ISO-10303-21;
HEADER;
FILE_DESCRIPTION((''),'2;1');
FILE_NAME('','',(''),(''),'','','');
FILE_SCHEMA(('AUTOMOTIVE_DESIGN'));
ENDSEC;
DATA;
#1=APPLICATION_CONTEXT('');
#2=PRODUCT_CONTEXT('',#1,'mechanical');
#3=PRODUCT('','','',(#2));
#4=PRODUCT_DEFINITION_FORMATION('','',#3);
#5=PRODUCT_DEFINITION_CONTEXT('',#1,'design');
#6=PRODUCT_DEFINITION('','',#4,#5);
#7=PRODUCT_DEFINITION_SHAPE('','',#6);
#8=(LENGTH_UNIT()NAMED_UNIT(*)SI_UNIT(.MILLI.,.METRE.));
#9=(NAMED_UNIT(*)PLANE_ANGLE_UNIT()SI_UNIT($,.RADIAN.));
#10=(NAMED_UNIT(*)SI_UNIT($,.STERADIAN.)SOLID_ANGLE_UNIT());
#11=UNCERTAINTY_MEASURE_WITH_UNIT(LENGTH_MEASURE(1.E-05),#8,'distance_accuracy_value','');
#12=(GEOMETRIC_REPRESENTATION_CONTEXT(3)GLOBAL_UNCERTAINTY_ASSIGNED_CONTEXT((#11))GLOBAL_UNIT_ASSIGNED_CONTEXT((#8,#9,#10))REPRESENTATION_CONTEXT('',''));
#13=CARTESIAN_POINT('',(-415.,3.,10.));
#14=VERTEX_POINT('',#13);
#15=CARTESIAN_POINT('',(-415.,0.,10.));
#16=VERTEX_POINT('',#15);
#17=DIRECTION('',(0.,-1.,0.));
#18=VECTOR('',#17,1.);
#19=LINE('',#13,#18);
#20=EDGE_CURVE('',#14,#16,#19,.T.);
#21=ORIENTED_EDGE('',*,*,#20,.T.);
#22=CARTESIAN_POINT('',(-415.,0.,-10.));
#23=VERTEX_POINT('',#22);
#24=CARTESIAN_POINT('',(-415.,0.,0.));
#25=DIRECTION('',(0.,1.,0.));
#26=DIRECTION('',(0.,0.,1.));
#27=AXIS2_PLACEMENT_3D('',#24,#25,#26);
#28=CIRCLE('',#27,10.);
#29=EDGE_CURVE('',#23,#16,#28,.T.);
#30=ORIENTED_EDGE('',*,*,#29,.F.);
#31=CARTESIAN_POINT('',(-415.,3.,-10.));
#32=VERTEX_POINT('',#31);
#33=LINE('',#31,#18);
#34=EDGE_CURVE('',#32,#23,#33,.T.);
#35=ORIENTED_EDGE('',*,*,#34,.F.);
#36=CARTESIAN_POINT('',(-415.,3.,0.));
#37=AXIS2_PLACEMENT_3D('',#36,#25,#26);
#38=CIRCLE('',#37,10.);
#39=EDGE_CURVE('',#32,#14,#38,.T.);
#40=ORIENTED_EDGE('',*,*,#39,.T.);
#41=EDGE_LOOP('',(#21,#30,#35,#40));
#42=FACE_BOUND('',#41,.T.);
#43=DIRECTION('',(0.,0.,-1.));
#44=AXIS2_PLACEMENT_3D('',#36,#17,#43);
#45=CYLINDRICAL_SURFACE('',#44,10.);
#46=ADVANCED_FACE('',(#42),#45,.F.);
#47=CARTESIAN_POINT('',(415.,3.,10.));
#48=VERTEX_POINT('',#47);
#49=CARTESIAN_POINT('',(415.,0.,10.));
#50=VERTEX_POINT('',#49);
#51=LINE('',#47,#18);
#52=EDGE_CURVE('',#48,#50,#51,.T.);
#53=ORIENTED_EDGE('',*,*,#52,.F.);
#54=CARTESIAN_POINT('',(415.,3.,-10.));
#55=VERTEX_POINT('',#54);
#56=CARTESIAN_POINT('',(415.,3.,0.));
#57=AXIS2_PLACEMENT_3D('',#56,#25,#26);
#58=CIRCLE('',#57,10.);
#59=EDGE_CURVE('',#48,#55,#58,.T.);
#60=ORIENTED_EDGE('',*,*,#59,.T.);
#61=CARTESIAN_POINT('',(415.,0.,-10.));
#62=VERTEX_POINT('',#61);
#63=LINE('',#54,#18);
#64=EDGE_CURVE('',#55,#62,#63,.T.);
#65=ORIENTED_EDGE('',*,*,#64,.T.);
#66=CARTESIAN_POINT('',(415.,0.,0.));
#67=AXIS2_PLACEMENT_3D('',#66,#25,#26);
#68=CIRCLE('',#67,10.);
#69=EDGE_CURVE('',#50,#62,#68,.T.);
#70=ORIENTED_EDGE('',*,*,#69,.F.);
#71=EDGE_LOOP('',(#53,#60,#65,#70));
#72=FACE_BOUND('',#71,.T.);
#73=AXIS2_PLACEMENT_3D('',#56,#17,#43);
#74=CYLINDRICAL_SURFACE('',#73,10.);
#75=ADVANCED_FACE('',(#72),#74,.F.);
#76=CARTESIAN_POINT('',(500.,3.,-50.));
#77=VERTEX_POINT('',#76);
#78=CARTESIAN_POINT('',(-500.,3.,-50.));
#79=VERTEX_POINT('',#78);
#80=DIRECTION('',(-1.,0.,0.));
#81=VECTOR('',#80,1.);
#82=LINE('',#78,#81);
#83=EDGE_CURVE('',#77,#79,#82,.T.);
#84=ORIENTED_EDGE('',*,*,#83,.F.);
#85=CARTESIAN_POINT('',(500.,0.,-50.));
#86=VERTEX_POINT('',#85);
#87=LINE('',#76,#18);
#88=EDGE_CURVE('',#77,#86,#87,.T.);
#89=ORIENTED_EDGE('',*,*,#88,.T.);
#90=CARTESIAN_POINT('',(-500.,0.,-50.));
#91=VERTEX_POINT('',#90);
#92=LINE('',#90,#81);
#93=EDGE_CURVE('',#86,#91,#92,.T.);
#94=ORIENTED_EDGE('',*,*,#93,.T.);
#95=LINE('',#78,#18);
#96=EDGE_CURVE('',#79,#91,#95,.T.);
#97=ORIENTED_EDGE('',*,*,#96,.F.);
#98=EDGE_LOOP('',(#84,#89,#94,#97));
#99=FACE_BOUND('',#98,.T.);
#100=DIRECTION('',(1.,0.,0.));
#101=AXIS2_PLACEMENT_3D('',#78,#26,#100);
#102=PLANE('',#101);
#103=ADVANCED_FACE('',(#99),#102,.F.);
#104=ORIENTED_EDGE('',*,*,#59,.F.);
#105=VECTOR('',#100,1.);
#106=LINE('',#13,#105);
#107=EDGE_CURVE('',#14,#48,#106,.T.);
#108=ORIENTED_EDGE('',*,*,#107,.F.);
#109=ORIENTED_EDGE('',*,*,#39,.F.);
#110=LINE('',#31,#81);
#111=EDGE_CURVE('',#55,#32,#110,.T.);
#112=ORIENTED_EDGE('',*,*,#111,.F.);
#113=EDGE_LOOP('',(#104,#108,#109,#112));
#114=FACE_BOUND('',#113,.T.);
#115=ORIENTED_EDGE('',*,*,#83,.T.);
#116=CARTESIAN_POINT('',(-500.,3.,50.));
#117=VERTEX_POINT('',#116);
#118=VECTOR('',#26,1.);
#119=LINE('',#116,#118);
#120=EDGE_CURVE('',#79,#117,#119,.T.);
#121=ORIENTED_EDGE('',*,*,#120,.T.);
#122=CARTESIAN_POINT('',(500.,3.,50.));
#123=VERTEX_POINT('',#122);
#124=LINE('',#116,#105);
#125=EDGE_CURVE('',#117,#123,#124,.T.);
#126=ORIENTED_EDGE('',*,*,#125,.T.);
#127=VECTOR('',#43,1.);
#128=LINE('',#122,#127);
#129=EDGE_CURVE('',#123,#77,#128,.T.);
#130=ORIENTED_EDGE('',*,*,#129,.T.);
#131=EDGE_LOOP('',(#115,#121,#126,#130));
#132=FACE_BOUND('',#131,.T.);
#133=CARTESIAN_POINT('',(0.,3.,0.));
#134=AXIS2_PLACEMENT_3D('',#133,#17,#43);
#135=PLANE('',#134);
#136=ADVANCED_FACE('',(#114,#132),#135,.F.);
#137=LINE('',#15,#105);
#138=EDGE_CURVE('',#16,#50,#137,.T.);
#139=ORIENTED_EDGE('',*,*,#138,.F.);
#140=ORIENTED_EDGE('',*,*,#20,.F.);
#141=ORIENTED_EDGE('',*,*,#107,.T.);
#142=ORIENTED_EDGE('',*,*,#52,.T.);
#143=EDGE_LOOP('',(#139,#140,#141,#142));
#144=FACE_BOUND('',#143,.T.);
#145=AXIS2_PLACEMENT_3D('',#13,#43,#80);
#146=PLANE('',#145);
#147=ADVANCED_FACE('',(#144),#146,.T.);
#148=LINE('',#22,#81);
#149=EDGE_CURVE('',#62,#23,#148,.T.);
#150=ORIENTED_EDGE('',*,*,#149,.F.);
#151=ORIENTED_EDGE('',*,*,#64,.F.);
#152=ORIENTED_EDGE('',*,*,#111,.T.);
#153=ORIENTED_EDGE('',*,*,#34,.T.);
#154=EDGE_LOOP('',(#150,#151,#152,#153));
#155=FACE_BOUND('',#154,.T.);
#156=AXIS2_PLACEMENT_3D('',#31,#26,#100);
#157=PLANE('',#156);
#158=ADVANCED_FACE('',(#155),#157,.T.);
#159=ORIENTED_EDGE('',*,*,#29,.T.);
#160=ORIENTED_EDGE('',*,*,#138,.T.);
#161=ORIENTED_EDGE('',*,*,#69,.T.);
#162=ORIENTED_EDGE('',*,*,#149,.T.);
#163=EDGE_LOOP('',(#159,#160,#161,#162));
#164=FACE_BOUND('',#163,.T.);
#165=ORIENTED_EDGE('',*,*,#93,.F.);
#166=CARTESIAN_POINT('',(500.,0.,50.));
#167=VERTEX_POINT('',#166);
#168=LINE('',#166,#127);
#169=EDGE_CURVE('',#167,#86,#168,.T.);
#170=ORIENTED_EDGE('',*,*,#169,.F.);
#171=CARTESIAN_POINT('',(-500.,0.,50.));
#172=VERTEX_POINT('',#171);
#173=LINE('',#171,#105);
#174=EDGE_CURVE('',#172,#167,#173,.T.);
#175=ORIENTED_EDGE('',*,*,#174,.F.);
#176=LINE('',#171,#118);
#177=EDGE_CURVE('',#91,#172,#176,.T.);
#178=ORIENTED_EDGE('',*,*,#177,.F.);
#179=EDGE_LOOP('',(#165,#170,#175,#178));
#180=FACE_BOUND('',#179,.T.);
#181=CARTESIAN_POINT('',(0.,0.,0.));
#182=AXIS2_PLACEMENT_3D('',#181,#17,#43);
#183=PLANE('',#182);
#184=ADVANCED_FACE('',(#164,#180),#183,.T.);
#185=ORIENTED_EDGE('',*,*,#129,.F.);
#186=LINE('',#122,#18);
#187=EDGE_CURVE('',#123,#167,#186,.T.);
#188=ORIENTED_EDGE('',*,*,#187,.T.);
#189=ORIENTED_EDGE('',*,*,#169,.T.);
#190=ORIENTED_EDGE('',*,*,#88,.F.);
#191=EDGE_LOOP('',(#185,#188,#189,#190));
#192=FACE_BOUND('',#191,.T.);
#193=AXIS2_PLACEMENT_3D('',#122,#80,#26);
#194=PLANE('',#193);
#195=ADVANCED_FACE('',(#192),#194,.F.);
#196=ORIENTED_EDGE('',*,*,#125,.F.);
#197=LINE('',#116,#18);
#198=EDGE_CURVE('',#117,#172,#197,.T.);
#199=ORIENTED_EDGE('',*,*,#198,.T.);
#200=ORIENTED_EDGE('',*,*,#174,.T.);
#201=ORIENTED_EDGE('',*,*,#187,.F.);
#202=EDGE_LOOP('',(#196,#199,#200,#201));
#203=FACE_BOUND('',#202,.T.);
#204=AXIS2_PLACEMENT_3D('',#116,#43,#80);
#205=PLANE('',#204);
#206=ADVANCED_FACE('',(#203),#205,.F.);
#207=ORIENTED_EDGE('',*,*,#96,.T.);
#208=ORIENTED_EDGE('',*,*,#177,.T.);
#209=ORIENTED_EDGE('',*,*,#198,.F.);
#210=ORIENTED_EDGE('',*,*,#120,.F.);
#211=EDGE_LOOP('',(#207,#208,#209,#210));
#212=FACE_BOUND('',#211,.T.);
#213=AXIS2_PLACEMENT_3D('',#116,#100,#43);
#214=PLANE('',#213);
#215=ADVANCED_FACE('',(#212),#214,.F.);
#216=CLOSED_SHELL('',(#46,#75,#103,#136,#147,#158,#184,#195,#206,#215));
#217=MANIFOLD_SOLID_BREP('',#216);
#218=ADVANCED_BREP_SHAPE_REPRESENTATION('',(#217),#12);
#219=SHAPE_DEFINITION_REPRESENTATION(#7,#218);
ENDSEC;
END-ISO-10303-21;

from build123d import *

# Parameters (mm, degrees)
SKETCH1_W           = 1000
SKETCH1_H           = 100
BOSS_EXTRUDE2_DEPTH = 3


with BuildPart() as part:
    # Sketch1 → Boss-Extrude2 (new body)
    with BuildSketch(Plane(origin=(0, 0, 0), x_dir=(1, 0, 0), z_dir=(0, 1, 0))):
        Rectangle(SKETCH1_W, SKETCH1_H)
        with BuildLine():
            Line((-415, 10), (415, 10))
            ThreePointArc((415, 10), (425, 0), (415, -10))
            Line((415, -10), (-415, -10))
            ThreePointArc((-415, -10), (-425, 0), (-415, 10))
        make_face(mode=Mode.SUBTRACT)
    extrude(amount=BOSS_EXTRUDE2_DEPTH)


solid = part.part
